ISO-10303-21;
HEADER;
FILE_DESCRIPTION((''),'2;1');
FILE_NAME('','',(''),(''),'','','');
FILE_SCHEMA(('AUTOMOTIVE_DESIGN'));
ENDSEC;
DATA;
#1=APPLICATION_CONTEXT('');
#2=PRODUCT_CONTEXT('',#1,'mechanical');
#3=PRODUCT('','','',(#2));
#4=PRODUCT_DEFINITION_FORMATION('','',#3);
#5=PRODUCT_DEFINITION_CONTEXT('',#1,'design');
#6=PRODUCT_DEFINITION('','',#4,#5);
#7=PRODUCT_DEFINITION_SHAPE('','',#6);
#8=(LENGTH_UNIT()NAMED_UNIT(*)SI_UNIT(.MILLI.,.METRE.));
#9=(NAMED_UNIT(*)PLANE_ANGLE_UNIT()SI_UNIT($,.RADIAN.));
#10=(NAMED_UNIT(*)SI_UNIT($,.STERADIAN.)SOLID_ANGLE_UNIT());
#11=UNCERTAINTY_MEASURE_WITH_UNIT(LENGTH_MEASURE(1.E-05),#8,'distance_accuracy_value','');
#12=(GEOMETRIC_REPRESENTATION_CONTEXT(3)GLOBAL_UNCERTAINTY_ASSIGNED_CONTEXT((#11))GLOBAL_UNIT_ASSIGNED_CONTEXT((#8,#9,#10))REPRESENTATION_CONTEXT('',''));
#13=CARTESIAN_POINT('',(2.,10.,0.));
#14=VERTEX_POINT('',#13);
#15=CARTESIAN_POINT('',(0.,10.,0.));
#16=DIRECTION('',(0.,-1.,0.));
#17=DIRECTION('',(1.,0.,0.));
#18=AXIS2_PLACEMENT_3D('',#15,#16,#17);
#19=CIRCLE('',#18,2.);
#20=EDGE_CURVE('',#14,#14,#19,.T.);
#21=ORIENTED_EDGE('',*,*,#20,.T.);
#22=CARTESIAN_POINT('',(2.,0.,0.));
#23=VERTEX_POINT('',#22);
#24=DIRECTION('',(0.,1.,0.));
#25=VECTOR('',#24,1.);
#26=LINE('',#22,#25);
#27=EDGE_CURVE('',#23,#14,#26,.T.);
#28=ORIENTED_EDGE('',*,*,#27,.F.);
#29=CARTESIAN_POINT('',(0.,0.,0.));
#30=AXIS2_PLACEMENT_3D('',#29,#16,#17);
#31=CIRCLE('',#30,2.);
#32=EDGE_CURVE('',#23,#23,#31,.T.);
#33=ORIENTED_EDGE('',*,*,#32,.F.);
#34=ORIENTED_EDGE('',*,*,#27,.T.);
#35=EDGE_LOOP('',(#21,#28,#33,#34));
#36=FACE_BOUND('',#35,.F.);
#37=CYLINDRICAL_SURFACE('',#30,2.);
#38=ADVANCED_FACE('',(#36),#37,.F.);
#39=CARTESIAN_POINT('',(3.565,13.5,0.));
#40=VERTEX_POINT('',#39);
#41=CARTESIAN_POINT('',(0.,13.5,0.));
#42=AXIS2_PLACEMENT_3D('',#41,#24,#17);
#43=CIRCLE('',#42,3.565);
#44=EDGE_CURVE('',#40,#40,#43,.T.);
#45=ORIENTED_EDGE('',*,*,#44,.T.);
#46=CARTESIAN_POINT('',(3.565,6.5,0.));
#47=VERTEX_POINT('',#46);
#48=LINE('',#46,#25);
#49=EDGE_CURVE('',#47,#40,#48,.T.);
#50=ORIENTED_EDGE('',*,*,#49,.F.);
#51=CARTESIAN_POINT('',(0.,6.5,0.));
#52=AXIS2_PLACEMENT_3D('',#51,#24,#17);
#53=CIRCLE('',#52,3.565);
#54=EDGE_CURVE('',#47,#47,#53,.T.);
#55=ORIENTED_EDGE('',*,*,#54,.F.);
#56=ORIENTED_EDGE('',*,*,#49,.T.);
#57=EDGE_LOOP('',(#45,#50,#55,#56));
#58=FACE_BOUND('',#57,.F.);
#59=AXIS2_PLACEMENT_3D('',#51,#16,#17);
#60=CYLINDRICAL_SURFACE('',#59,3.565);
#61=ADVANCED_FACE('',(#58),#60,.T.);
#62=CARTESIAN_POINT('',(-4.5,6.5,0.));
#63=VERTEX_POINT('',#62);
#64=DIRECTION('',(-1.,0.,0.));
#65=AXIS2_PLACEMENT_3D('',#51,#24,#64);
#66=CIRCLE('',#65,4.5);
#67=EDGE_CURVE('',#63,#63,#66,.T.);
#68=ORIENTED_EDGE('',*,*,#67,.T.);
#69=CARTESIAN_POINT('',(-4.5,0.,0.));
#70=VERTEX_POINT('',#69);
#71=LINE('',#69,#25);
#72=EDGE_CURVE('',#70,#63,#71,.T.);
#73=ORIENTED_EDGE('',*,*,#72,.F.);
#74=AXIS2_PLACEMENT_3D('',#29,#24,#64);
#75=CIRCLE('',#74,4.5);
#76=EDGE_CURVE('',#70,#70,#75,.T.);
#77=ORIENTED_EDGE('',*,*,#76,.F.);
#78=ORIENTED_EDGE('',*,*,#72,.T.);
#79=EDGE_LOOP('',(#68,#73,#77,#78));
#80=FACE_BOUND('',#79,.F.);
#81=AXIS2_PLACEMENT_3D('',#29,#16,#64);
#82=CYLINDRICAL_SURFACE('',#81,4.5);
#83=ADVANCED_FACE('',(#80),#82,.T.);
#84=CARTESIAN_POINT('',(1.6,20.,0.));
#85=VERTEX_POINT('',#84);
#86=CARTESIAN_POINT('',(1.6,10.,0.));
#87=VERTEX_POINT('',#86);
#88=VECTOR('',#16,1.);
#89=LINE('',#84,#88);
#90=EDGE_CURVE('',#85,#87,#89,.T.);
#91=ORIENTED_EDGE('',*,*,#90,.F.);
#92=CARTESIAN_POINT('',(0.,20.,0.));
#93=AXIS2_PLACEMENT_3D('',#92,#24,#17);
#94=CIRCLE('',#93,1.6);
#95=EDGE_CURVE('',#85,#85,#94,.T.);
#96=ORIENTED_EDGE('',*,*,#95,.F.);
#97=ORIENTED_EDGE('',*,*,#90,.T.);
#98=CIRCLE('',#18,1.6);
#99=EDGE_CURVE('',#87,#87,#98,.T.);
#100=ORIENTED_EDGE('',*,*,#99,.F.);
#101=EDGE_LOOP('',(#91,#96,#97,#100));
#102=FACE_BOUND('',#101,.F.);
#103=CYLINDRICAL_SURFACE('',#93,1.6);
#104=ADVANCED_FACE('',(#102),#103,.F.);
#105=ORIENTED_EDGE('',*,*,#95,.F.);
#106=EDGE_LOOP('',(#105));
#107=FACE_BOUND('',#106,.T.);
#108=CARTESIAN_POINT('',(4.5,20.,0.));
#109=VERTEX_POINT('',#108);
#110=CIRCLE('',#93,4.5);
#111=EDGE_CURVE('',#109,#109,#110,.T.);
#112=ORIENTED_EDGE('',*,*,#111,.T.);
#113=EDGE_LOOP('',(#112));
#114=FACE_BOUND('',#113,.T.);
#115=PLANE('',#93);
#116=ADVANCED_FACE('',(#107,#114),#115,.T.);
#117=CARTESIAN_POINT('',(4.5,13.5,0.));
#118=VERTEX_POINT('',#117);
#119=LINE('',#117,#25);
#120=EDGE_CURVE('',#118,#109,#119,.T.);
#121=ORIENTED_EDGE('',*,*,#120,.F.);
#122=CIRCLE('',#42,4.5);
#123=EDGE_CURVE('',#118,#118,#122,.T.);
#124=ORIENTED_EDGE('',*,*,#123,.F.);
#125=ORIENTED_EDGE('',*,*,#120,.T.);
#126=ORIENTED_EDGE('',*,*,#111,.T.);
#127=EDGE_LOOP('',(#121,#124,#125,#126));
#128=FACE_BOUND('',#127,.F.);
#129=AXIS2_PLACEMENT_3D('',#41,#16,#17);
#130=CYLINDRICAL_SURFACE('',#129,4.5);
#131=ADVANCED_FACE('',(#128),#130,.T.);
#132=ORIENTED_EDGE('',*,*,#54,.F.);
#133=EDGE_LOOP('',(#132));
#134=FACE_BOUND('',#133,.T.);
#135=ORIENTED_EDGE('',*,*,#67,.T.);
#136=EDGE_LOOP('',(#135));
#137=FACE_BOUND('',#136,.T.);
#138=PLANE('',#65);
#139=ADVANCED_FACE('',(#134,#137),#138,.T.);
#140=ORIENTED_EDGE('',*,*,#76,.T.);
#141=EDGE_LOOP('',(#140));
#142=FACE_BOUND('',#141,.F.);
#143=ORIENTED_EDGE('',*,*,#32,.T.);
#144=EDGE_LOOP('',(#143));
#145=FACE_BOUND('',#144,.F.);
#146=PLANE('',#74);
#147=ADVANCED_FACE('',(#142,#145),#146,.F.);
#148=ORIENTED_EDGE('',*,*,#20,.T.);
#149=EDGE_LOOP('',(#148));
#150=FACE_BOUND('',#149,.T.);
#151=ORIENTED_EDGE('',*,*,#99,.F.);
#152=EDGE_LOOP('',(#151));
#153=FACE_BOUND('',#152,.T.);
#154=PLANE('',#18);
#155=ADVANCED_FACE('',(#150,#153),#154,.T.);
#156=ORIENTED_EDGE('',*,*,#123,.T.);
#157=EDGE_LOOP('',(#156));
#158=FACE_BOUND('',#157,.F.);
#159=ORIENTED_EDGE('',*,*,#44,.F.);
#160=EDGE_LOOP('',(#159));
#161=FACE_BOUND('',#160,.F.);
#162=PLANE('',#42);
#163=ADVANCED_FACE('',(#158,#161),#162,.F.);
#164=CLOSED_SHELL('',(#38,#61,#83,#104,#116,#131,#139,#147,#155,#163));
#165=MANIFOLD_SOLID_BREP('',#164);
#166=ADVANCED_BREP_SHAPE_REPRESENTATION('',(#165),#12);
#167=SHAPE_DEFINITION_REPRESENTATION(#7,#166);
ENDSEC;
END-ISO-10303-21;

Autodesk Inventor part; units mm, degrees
ref_plane "YZ Plane" through (0, 0, 0) normal (1, 0, 0) x (0, 1, 0)
ref_plane "XZ Plane" through (0, 0, 0) normal (0, 1, 0) x (-1, 0, 0)
ref_plane "XY Plane" through (0, 0, 0) normal (0, 0, 1) x (1, 0, 0)
sketch "Sketch1" plane through (0, 0, 0) normal (0, 1, 0) x (-1, 0, 0)
  circle A0 centre (0, 0) radius 4.5
  dimension "d0" = 9
extrude "Extrusion1" add sketch "Sketch1" along normal blind 6.5
sketch "Sketch2" plane through (0, 6.5, 0) normal (0, 1, 0) x (1, 0, 0)
  circle A0 centre (0, 0) radius 3.565
  dimension "d3" = 7.13
extrude "Extrusion2" add sketch "Sketch2" along normal blind 7
sketch "Sketch3" plane through (0, 13.5, 0) normal (0, 1, 0) x (1, 0, 0)
  circle A0 centre (0, 0) radius 4.5
  dimension "d6" = 9
extrude "Extrusion3" add sketch "Sketch3" along normal blind 6.5
sketch "Sketch4" plane through (0, 20, 0) normal (0, 1, 0) x (1, 0, 0)
  circle A0 centre (0, 0) radius 1.6
  dimension "d9" = 3.2
extrude "Extrusion4" cut sketch "Sketch4" against normal blind 20
sketch "Sketch5" plane through (0, 0, 0) normal (0, -1, 0) x (1, 0, 0)
  circle A0 centre (0, 0) radius 1.6 projected
  circle A1 centre (0, 0) radius 2
  dimension "d12" = 4
extrude "Extrusion5" cut sketch "Sketch5" against normal blind 10
properties part number "coupler" material "Gold"
